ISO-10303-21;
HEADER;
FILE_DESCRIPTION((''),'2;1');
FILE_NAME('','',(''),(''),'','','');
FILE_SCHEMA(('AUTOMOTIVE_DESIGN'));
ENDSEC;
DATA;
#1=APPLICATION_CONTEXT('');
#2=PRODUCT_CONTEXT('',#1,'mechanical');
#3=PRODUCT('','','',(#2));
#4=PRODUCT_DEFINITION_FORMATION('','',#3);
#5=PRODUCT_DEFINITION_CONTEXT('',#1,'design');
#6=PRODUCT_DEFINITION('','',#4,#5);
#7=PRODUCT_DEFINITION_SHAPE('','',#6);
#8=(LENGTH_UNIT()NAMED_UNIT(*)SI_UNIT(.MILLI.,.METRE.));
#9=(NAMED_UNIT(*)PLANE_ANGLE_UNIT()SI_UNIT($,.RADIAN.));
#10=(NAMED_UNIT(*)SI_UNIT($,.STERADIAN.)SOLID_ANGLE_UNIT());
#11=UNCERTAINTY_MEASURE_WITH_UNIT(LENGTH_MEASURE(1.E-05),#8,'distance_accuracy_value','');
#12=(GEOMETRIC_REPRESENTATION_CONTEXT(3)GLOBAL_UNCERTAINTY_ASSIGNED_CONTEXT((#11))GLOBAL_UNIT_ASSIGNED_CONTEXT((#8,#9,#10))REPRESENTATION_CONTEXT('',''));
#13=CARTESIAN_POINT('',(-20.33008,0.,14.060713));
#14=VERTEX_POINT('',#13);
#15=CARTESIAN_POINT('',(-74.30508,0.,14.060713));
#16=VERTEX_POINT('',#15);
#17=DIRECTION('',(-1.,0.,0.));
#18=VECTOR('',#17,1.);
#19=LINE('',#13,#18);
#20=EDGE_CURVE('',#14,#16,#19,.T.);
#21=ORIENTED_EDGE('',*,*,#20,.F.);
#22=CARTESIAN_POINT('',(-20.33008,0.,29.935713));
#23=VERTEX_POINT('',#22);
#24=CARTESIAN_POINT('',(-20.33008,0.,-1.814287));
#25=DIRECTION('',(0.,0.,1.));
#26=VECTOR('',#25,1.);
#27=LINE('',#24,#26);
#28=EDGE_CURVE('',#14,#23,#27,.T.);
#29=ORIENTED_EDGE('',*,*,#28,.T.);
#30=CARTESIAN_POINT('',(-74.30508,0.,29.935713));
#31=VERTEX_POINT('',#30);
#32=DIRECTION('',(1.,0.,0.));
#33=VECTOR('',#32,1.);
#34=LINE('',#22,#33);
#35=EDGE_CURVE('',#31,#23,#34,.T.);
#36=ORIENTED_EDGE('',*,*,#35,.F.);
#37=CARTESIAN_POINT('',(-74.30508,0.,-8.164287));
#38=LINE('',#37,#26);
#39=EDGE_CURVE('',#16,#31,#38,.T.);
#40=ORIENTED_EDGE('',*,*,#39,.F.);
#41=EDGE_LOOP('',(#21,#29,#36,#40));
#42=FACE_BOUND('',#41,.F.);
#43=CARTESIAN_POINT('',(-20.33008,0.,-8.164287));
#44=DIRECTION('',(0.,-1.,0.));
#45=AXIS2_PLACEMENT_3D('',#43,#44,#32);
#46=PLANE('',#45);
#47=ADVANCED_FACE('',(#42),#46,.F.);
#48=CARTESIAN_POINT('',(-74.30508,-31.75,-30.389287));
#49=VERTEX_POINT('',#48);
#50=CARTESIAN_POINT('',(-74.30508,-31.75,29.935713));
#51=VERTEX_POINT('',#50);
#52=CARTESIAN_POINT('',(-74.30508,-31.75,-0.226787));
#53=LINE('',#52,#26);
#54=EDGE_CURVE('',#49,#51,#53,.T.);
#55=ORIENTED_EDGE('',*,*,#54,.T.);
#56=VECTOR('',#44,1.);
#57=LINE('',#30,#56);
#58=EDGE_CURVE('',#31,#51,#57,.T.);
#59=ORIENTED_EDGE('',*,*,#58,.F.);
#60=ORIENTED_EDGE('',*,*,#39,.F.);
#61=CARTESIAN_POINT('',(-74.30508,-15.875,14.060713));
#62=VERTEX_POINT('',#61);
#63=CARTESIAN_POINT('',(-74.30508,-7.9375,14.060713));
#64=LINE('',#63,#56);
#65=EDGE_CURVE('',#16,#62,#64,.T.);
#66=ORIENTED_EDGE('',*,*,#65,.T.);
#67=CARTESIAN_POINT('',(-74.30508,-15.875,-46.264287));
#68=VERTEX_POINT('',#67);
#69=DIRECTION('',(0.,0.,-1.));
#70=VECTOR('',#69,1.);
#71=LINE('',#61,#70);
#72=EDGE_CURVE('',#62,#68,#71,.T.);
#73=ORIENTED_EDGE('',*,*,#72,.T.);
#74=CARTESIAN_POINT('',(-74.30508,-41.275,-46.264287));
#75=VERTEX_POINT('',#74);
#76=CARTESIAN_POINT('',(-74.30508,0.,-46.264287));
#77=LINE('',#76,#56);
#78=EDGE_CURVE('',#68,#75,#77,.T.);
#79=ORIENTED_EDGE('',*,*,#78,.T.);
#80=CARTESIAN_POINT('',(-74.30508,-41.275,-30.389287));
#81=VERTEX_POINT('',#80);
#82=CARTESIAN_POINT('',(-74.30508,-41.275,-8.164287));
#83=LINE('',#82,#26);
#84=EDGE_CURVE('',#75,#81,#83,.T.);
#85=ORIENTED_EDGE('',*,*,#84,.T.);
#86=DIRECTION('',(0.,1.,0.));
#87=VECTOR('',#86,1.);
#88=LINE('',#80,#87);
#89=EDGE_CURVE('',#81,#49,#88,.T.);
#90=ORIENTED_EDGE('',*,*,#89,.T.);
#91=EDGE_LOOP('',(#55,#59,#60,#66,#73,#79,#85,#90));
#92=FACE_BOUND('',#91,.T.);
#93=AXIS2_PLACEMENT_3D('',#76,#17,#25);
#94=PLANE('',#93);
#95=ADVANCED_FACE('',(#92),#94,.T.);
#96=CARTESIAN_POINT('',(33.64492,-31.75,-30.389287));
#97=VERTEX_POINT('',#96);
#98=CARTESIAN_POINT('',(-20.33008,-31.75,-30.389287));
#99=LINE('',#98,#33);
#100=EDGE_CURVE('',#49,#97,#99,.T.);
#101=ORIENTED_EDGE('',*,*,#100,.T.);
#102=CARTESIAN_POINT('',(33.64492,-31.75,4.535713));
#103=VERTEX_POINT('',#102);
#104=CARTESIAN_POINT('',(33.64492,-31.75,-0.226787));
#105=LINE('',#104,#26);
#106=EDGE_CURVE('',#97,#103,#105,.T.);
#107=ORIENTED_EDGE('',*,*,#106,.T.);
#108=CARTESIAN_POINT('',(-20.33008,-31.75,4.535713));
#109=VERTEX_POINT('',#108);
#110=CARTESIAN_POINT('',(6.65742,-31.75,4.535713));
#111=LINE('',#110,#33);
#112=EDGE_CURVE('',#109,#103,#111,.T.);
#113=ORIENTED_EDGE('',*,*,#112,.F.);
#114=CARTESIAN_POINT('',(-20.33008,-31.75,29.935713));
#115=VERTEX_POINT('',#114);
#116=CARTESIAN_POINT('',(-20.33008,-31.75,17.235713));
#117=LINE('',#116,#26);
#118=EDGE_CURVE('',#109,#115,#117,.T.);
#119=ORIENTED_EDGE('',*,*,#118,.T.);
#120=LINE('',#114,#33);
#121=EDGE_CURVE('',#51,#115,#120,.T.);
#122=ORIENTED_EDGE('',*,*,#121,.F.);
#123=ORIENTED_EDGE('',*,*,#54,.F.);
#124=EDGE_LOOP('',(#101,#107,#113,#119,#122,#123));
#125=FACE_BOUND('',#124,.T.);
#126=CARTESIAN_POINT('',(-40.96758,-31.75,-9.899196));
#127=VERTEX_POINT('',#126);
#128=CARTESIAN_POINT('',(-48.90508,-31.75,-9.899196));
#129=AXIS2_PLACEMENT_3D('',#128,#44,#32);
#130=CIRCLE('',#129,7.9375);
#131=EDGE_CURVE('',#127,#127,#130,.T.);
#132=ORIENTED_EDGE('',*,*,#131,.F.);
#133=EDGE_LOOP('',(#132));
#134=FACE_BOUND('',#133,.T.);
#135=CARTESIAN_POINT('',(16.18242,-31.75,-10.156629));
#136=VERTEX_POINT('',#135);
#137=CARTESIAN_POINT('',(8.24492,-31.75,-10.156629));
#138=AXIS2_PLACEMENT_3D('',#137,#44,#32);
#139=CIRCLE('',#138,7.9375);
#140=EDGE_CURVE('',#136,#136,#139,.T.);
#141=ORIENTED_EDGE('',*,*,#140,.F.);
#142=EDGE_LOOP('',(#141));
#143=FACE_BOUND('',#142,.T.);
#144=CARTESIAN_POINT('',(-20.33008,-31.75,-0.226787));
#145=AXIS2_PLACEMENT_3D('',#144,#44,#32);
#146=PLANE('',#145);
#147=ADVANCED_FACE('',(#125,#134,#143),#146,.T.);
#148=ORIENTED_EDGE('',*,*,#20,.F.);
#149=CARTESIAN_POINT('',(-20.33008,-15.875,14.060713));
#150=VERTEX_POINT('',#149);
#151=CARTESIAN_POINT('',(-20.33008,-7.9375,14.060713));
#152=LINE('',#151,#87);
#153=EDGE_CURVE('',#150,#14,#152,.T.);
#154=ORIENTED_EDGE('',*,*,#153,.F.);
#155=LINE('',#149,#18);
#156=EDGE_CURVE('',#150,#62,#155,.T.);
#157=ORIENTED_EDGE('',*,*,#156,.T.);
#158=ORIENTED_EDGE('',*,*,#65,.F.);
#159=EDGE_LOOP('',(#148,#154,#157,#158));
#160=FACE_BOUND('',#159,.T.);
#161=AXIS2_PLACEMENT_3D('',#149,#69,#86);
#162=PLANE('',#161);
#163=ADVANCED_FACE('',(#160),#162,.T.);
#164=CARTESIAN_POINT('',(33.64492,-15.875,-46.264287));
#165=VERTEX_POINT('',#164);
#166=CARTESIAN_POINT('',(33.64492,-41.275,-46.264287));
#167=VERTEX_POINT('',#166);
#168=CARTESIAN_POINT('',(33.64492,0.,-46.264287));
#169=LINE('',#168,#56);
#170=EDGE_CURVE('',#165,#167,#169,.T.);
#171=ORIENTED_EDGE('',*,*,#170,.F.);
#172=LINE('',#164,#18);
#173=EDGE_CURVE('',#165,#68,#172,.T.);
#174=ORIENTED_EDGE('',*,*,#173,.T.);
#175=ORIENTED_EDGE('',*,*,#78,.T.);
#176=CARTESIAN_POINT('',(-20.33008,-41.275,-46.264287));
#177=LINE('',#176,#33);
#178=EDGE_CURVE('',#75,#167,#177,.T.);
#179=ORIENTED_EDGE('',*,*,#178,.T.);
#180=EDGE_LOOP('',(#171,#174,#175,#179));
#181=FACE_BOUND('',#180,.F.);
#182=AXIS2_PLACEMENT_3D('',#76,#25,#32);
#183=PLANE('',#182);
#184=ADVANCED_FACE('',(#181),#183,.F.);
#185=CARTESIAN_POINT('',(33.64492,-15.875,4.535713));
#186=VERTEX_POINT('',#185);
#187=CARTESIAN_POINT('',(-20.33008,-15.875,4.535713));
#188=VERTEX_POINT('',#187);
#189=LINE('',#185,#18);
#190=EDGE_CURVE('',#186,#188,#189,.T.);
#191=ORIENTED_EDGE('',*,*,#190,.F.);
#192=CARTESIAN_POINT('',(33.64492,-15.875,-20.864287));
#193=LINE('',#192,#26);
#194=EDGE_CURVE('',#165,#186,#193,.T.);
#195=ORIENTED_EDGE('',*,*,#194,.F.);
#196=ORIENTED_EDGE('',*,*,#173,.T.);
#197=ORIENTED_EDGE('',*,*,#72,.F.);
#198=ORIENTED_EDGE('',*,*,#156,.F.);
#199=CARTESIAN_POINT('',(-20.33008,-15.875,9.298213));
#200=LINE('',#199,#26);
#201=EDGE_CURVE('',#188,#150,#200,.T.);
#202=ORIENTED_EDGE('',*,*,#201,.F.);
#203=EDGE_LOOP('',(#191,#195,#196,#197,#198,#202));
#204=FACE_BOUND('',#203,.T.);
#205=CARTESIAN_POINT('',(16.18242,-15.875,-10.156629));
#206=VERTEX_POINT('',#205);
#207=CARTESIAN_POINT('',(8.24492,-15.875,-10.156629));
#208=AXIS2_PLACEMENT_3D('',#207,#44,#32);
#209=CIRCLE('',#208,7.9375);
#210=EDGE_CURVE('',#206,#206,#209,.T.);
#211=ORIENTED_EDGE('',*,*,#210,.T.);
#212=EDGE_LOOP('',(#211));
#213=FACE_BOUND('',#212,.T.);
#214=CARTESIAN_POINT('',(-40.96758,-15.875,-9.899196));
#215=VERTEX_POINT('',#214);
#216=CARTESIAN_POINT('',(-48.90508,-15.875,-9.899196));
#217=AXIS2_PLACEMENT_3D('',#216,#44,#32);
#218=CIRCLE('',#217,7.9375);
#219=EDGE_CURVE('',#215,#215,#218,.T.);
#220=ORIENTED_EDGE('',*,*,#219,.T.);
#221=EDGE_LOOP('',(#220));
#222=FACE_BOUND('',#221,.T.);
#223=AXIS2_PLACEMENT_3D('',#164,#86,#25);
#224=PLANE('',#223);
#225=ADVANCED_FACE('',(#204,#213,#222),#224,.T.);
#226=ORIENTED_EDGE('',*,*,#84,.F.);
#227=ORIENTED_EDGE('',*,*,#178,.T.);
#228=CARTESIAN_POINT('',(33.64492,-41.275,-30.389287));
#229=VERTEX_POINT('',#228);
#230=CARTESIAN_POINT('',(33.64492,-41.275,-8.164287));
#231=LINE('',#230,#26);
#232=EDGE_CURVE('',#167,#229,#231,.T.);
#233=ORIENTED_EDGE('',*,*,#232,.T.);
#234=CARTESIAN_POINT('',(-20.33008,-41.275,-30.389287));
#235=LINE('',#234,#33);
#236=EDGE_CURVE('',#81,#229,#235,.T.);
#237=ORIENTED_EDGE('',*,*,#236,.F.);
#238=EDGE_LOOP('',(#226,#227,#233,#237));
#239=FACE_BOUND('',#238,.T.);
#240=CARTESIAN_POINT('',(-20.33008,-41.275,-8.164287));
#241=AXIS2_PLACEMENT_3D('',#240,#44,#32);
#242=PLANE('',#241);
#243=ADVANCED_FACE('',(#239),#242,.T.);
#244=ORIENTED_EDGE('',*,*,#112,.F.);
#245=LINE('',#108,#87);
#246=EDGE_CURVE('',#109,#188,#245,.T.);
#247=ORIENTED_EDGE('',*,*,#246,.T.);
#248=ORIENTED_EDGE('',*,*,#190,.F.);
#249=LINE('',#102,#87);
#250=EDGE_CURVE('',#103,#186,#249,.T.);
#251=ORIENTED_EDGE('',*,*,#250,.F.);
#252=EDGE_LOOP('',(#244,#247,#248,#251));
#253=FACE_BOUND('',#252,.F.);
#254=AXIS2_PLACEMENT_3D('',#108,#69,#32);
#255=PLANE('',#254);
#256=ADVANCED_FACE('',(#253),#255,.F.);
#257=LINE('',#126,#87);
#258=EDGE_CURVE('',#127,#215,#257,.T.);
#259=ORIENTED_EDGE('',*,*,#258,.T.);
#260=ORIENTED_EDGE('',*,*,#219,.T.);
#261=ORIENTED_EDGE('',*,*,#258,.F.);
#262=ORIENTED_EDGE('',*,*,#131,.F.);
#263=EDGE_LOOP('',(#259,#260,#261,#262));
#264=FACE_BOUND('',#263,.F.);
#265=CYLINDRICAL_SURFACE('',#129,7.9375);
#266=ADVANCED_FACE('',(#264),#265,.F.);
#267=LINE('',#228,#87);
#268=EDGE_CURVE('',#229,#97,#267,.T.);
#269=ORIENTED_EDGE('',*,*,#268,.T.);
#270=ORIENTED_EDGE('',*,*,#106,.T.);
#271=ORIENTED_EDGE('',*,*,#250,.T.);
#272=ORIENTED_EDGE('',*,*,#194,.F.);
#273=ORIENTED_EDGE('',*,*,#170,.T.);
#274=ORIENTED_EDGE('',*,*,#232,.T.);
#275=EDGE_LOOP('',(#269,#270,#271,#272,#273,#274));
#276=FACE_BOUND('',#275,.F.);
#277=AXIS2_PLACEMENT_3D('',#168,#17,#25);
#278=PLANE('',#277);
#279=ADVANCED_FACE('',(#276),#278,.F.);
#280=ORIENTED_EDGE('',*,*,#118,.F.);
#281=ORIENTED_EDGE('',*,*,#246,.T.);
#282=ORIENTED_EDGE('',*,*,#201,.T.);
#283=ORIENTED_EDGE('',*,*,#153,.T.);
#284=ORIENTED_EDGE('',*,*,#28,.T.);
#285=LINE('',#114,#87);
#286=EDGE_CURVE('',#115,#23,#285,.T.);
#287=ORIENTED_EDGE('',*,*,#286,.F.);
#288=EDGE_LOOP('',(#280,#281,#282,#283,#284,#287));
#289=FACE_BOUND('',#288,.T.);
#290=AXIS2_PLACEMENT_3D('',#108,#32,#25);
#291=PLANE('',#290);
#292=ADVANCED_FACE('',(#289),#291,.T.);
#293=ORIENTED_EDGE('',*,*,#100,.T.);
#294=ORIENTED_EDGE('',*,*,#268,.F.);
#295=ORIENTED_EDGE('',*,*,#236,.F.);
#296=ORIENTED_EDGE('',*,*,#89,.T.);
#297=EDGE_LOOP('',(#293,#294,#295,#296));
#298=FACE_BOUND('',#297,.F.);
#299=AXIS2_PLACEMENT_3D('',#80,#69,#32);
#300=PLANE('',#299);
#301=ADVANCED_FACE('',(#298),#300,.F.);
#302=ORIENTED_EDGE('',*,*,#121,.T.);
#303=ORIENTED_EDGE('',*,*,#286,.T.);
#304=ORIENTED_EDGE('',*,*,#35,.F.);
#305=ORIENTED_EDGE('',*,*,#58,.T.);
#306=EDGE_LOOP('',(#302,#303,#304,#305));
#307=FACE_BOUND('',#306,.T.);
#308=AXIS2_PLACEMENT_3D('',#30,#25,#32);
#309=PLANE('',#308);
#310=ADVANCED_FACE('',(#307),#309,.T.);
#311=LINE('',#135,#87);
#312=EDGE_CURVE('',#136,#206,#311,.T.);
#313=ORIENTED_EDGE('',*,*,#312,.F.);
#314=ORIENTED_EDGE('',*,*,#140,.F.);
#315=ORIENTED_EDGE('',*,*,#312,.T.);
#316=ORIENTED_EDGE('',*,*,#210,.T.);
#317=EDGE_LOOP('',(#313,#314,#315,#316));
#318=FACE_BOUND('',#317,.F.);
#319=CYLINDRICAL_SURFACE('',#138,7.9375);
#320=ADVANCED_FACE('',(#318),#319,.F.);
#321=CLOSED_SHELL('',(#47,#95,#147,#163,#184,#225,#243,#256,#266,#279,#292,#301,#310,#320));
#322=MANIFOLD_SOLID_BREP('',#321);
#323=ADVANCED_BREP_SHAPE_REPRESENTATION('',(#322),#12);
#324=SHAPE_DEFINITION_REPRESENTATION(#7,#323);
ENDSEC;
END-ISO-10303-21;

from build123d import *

# Parameters (mm, degrees)
F0_W      = 107.95
F0_H      = 76.2
F1_DEPTH  = 41.275
F2_W      = 107.95
F2_H      = 60.325
F3_DEPTH  = 9.525
F4_W      = 53.975
F4_H      = 25.4
F5_DEPTH  = 31.751
F6_W      = 15.875
F6_H      = 50.8
F7_DEPTH  = 107.951
F8_W      = 15.875
F8_H      = 9.525
F9_DEPTH  = 53.976
F10_R     = 7.9375
F11_DEPTH = 31.751


with BuildPart() as f1:
    # F0 (on Front) → F1 (new body)
    with BuildSketch(Plane.XZ):
        with Locations((-20.33008, -8.164287)):
            Rectangle(F0_W, F0_H)
    extrude(amount=F1_DEPTH)

    # F2 (on face) → F3 (cut)
    with BuildSketch(Plane.XZ.offset(41.275)):
        with Locations((-20.33008, -0.226787)):
            Rectangle(F2_W, F2_H)
    extrude(amount=-F3_DEPTH, mode=Mode.SUBTRACT)

    # F4 (on face) → F5 (cut, through all)
    with BuildSketch(Plane.XZ.offset(31.75)):
        with Locations((6.65742, 17.235713)):
            Rectangle(F4_W, F4_H)
    extrude(amount=-F5_DEPTH, mode=Mode.SUBTRACT)

    # F6 (on face) → F7 (cut, through all)
    with BuildSketch(Plane.YZ.offset(33.64492)):
        with Locations((-7.9375, -20.864287)):
            Rectangle(F6_W, F6_H)
    extrude(amount=-F7_DEPTH, mode=Mode.SUBTRACT)

    # F8 (on face) → F9 (cut, through all)
    with BuildSketch(Plane.YZ.offset(-20.33008)):
        with Locations((-7.9375, 9.298213)):
            Rectangle(F8_W, F8_H)
    extrude(amount=-F9_DEPTH, mode=Mode.SUBTRACT)

    # F10 (on face) → F11 (cut, through all)
    with BuildSketch(Plane.XZ.offset(31.75)):
        with Locations((-48.90508, -9.899196)):
            Circle(F10_R)
        with Locations((8.24492, -10.156629)):
            Circle(F10_R)
    extrude(amount=-F11_DEPTH, mode=Mode.SUBTRACT)


solid = f1.part
